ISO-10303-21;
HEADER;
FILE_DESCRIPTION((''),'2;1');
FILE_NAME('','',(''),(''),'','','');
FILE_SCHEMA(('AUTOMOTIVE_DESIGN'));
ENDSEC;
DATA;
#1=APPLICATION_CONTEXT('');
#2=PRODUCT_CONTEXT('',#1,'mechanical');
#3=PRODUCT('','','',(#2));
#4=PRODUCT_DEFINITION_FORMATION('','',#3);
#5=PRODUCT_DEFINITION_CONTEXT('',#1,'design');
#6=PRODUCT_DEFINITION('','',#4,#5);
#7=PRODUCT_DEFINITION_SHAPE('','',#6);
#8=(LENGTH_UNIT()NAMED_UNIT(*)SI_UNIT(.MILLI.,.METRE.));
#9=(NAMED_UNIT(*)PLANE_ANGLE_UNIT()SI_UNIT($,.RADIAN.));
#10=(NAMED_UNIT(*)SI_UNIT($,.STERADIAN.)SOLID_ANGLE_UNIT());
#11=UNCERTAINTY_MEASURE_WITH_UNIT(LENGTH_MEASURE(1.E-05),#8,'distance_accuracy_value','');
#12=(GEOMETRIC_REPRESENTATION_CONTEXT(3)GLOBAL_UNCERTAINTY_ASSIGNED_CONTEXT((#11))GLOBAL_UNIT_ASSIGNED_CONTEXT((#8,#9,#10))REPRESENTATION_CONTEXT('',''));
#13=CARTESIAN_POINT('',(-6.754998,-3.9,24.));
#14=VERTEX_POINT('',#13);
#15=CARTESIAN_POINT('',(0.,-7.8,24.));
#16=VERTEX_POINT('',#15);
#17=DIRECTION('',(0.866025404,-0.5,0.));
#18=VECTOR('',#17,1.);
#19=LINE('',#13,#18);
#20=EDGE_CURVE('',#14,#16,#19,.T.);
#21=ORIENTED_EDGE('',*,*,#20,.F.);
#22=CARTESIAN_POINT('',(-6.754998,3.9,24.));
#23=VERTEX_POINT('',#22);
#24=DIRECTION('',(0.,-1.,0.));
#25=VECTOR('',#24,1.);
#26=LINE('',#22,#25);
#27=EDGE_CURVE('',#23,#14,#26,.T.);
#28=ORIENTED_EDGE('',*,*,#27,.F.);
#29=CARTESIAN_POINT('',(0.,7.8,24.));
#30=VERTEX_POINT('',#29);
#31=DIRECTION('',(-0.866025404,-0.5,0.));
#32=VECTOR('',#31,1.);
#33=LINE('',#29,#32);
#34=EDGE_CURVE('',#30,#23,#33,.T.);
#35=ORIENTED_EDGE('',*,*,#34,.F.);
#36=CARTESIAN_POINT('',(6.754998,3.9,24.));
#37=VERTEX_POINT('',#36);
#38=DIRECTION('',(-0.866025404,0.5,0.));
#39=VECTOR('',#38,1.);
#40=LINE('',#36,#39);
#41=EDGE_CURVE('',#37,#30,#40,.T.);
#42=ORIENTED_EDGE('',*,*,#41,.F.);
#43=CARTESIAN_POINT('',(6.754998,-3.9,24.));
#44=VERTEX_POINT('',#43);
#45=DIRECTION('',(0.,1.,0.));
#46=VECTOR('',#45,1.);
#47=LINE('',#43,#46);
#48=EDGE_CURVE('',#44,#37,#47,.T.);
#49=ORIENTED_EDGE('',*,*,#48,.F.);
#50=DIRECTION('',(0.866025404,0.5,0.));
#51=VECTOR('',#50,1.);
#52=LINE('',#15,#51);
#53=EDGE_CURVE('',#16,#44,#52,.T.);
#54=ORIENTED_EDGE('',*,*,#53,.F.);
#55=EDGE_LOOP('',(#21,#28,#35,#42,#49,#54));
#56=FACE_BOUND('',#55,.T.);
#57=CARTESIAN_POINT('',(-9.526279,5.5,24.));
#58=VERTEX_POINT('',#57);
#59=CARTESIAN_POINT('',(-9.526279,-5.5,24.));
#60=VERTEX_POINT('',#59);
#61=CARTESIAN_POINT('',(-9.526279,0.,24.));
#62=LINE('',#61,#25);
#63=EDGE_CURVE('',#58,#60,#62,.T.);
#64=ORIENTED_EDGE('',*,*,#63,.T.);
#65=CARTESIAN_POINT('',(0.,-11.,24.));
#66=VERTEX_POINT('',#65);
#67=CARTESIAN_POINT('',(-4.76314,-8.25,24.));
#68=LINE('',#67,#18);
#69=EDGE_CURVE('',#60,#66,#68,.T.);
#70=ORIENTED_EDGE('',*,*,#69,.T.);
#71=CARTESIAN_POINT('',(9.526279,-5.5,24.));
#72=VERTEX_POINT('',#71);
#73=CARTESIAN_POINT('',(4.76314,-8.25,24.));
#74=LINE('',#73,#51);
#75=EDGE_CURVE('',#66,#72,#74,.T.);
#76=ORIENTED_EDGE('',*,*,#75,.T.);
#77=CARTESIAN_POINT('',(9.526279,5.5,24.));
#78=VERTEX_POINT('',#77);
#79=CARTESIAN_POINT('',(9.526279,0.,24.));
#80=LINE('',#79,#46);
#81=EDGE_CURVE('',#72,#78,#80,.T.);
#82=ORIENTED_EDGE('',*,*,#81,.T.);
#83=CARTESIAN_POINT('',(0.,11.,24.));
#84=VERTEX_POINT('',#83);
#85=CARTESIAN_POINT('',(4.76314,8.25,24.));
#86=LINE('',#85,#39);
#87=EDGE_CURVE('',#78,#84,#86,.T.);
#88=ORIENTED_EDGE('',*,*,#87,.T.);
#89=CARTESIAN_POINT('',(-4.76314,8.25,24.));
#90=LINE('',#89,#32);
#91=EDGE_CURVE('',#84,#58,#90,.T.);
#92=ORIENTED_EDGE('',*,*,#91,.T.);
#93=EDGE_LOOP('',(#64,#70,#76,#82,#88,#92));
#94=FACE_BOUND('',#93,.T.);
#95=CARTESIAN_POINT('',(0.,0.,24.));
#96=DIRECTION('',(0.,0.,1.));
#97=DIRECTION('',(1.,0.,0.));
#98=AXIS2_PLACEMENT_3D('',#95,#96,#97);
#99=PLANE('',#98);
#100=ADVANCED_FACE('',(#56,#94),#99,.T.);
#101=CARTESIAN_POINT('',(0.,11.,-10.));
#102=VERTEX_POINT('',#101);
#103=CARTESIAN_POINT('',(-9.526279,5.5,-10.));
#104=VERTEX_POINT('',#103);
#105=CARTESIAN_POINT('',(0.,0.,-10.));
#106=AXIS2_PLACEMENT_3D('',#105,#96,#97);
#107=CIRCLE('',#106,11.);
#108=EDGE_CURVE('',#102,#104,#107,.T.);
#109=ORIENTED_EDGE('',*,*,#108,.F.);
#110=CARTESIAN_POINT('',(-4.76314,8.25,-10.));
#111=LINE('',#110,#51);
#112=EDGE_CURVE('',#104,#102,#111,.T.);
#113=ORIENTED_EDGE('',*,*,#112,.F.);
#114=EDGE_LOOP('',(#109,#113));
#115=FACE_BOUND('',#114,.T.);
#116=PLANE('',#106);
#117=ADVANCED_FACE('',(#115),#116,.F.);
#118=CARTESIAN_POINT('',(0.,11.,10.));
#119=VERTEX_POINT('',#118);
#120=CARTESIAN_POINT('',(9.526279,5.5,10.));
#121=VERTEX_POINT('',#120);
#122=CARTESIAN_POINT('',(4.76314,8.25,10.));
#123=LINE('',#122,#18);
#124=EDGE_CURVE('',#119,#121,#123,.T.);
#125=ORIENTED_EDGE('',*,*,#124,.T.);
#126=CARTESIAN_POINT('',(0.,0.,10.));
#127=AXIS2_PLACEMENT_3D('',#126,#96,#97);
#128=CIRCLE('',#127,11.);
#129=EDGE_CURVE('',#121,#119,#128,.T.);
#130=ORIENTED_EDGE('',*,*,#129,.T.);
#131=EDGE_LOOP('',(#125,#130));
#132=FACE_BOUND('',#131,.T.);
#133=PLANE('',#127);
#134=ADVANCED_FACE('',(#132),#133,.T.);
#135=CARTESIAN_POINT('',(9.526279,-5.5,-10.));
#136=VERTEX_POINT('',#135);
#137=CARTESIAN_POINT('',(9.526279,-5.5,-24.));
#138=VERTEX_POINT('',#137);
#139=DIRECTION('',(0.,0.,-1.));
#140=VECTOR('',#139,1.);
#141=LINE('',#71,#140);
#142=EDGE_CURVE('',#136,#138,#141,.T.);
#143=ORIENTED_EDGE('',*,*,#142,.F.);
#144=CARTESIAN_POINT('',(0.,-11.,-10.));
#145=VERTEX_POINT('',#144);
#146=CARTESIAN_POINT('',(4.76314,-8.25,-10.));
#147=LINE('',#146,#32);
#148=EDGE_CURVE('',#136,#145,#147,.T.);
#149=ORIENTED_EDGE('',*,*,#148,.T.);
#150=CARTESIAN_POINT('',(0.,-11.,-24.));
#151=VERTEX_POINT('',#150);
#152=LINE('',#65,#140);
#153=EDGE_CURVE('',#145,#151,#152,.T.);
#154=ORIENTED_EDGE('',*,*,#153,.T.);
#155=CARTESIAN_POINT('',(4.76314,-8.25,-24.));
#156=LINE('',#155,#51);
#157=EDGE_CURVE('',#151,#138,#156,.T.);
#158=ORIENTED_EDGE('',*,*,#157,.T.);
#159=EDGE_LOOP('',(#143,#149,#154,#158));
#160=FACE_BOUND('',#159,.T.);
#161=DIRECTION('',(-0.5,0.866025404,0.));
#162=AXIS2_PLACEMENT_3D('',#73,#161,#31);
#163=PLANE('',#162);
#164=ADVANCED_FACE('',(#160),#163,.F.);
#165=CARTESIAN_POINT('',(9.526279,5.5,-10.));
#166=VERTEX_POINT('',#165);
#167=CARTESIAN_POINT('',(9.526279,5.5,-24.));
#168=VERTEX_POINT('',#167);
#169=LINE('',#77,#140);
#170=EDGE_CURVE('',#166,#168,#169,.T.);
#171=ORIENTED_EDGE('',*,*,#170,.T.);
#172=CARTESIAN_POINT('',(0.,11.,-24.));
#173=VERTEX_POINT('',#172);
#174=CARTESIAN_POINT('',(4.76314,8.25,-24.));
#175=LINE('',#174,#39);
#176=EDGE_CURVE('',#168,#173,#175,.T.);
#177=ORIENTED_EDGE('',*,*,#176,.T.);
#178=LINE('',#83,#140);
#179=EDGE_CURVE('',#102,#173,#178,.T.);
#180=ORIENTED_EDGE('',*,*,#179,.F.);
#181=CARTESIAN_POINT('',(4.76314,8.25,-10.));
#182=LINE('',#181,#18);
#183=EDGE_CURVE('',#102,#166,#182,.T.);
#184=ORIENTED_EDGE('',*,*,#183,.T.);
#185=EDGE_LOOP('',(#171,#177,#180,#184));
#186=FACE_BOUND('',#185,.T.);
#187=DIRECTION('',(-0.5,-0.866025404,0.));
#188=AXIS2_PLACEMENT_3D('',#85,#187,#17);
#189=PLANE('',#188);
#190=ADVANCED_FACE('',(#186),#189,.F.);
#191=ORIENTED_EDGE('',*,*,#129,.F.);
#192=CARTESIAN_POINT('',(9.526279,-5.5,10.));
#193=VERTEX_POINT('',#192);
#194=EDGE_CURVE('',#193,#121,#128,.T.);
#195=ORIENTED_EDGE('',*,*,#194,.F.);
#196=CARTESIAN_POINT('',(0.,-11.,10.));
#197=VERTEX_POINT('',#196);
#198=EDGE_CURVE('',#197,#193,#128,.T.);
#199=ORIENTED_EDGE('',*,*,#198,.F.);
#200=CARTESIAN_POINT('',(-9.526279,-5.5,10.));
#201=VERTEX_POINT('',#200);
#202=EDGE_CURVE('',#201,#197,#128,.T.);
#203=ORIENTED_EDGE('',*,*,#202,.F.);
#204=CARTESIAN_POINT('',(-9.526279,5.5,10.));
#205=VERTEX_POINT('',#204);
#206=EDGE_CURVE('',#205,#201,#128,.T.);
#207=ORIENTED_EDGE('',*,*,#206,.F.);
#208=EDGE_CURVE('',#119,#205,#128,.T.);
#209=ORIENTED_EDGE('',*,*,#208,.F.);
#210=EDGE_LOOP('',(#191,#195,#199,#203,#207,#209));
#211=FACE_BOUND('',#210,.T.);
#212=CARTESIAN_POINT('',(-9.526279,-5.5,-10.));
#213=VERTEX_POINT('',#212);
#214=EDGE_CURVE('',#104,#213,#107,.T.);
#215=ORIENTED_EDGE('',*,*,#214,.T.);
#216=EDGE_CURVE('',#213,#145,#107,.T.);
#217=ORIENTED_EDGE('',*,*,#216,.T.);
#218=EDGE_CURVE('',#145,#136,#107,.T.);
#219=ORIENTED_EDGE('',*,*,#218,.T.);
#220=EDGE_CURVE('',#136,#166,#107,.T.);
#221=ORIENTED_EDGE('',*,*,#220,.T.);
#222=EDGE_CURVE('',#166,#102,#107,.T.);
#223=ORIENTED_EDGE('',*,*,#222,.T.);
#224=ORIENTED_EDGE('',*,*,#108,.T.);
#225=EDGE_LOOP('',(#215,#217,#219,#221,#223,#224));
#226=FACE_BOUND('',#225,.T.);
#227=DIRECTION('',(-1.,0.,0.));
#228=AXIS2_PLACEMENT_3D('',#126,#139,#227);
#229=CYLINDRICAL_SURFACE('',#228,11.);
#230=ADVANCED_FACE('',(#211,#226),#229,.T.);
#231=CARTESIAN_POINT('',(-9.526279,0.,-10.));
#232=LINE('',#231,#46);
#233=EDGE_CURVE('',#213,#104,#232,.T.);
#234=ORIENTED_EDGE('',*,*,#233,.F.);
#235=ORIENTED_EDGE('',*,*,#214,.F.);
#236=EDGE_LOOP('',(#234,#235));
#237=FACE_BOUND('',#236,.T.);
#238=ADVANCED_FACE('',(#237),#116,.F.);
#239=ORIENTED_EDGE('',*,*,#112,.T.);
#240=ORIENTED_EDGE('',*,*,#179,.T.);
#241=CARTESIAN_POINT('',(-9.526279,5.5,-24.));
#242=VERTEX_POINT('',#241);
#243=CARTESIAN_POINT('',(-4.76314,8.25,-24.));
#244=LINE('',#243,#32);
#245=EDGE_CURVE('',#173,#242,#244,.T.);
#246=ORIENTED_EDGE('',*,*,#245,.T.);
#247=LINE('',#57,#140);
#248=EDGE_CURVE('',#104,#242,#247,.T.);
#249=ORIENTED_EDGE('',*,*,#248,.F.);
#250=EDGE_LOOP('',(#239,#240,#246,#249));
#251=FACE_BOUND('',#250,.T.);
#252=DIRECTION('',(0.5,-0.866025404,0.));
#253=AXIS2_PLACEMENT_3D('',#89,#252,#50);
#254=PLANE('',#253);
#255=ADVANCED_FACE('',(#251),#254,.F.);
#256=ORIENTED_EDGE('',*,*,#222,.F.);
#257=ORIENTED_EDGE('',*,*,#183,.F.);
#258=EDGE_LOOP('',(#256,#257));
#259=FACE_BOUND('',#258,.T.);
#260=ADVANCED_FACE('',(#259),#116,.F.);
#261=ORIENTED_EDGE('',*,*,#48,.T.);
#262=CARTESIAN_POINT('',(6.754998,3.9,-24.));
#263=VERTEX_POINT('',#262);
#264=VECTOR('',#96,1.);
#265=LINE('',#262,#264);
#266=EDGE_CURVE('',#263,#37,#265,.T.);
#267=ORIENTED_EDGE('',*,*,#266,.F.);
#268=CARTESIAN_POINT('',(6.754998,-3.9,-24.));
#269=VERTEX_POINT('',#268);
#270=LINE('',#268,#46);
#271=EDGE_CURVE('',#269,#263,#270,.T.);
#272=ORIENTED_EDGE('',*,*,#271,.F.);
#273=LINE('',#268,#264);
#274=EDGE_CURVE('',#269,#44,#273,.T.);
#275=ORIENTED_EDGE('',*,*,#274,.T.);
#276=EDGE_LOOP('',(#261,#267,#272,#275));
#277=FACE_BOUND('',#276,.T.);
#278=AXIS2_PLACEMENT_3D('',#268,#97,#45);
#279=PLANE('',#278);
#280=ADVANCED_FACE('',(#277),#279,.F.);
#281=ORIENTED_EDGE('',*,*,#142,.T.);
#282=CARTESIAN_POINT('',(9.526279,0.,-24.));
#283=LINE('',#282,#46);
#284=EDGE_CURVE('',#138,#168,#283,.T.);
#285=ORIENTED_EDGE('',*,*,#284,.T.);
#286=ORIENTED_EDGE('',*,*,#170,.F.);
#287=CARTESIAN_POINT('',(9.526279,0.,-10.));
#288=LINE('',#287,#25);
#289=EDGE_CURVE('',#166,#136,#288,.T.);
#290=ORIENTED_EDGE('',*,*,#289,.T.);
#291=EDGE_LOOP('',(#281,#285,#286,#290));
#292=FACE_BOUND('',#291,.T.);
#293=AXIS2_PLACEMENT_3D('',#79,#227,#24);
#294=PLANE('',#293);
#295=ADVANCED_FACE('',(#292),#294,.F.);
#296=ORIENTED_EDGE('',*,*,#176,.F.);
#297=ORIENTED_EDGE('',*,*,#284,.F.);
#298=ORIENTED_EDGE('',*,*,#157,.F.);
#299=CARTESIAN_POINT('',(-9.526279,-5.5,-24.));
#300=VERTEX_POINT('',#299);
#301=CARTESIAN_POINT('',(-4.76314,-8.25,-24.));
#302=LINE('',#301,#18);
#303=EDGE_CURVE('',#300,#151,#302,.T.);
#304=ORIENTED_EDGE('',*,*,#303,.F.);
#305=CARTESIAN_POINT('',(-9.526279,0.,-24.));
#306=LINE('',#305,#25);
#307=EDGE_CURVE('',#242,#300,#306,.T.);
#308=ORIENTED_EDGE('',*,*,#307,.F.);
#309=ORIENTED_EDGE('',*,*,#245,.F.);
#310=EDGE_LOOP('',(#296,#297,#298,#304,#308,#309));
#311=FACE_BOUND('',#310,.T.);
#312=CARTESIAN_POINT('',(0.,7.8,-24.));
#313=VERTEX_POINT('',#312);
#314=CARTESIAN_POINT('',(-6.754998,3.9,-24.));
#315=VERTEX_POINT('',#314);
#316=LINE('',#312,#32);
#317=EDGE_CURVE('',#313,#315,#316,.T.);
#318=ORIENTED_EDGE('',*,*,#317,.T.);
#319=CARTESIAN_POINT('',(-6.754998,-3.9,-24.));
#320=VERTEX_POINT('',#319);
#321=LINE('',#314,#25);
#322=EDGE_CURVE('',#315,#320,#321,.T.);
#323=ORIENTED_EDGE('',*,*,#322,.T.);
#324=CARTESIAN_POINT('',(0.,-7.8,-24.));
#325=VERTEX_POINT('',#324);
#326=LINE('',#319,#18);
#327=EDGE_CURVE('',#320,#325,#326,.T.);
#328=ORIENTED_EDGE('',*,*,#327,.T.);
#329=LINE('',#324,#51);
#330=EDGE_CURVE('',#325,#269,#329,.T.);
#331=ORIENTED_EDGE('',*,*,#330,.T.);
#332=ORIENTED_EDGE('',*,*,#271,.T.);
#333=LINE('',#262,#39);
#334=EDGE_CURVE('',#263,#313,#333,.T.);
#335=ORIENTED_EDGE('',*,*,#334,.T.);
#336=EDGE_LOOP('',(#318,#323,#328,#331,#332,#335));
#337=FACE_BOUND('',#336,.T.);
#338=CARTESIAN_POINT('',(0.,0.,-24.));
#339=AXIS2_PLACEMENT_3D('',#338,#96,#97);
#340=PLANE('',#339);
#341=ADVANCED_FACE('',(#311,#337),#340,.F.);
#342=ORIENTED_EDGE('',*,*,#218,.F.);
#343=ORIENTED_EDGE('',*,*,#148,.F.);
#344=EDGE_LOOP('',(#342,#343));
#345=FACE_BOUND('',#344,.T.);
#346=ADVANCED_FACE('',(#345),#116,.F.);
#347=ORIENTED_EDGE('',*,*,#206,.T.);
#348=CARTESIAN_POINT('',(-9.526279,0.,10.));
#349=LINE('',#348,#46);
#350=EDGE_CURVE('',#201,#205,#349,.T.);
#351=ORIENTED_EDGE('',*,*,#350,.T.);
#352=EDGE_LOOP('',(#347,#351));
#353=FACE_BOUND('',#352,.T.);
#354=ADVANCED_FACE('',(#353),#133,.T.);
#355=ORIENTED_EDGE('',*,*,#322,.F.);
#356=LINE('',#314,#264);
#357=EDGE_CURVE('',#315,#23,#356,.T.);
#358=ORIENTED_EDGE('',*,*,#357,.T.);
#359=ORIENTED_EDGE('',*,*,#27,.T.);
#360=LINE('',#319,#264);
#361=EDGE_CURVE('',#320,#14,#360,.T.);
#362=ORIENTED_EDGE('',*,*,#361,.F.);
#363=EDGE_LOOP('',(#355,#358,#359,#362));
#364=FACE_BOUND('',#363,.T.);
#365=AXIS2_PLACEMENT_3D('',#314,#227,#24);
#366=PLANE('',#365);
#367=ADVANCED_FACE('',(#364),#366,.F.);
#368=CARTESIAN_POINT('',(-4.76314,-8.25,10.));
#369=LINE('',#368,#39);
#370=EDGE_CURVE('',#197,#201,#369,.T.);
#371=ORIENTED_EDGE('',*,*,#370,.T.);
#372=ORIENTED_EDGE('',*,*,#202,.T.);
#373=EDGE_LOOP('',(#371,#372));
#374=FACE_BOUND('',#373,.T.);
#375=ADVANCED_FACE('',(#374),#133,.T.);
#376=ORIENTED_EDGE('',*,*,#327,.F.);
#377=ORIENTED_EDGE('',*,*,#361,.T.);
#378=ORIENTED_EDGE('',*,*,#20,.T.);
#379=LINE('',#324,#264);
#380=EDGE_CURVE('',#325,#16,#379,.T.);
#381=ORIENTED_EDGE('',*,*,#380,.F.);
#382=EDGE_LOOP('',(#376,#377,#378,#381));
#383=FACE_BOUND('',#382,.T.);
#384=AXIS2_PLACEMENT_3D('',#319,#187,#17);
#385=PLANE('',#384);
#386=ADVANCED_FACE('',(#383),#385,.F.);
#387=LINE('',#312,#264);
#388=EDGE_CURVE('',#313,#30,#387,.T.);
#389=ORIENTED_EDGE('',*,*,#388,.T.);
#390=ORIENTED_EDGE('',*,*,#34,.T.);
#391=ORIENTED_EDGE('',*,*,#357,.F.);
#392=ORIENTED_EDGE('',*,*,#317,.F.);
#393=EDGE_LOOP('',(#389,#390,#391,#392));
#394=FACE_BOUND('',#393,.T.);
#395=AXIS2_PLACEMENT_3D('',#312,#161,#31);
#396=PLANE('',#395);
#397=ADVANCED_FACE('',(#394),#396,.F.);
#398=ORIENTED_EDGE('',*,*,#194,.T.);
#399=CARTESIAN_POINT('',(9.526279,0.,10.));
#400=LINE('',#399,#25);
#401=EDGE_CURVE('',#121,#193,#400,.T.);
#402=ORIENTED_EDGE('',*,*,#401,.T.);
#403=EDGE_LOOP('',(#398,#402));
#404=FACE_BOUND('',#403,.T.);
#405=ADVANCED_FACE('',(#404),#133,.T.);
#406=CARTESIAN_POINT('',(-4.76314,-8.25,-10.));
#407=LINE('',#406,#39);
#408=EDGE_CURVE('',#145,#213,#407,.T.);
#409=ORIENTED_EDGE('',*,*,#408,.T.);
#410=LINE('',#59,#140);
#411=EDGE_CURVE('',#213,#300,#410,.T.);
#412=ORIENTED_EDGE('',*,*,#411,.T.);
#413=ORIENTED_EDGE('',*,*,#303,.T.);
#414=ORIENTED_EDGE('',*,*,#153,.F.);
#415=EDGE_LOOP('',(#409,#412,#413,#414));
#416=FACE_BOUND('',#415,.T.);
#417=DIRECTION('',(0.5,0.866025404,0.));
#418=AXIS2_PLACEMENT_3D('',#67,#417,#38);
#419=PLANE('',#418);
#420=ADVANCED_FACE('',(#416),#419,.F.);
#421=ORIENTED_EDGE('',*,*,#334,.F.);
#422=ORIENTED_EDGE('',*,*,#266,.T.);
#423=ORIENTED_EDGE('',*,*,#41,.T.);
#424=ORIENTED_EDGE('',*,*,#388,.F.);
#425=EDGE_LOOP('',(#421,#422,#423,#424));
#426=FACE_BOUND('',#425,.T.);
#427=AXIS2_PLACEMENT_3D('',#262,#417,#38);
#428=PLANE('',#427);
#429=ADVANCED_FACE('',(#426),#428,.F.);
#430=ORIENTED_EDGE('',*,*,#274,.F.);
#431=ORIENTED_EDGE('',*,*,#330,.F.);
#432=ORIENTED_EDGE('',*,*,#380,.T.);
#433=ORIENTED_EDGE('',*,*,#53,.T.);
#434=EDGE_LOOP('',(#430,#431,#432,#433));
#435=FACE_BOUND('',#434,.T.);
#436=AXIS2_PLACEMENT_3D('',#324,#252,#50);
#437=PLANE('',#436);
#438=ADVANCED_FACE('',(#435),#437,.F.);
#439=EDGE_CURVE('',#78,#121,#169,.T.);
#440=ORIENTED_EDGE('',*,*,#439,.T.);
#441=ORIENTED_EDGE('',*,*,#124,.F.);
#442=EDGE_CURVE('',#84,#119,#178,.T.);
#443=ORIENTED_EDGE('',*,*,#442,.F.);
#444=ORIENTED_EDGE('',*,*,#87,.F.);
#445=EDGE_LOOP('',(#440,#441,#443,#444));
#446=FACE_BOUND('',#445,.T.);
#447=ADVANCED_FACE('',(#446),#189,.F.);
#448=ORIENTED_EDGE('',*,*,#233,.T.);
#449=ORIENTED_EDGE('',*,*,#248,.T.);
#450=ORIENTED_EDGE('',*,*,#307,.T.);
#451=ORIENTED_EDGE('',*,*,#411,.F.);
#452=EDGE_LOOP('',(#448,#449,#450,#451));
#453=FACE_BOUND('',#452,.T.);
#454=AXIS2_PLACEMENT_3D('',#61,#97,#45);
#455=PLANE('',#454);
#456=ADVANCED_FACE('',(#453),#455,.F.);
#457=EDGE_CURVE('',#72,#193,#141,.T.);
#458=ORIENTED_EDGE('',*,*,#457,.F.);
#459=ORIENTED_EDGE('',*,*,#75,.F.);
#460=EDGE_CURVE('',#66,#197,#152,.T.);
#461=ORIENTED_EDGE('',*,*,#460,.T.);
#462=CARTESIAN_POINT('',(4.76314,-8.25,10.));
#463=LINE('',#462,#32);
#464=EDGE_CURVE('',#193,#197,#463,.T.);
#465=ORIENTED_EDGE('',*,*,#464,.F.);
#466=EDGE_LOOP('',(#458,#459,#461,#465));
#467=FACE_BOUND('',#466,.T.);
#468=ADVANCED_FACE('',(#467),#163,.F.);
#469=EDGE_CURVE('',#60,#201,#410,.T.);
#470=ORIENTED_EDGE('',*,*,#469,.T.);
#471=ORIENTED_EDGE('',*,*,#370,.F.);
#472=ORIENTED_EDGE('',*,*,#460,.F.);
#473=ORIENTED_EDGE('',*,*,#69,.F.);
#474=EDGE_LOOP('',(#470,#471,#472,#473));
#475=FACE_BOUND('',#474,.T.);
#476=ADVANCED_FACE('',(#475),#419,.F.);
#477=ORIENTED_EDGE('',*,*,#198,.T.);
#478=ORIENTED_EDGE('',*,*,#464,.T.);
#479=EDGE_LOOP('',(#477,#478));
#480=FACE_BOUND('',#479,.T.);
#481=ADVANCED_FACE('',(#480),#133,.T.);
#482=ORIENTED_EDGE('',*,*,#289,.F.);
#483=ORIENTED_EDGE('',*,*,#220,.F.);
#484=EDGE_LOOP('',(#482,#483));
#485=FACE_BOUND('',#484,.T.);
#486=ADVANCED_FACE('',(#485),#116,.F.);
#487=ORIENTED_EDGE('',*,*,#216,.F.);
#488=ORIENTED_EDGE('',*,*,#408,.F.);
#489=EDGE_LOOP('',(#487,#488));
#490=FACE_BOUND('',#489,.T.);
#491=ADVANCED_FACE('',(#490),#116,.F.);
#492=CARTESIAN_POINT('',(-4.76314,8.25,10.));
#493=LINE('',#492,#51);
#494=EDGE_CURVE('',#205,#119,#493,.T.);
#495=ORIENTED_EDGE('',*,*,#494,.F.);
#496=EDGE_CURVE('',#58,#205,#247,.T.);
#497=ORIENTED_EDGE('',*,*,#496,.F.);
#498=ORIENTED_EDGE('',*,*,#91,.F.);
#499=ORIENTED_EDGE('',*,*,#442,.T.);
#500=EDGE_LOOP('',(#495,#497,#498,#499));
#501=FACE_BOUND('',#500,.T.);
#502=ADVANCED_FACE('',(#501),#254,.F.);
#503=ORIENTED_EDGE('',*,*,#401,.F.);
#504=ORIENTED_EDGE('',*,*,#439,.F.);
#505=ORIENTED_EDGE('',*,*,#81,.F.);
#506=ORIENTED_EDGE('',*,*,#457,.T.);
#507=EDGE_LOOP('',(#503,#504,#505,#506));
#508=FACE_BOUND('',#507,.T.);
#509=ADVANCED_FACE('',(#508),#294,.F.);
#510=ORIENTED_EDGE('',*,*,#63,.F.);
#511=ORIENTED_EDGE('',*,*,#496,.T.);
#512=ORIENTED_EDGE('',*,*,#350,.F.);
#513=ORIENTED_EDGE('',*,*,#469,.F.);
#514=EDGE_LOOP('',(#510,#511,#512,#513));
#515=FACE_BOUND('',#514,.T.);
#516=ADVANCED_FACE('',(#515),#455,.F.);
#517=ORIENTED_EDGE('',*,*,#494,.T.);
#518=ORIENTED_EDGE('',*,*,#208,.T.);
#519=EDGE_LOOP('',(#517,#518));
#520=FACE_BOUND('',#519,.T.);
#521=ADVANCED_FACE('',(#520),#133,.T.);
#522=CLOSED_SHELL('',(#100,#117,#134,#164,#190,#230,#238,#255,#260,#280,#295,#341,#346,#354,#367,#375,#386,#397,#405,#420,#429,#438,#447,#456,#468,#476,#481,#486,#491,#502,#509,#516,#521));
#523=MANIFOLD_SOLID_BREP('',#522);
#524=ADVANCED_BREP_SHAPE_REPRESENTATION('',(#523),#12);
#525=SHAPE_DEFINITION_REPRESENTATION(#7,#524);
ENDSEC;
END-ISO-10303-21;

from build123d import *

# Parameters (mm, degrees)
SKETCH1_R           = 11
SKETCH1_R_2         = 6.4
BOSS_EXTRUDE1_DEPTH = 10
BOSS_EXTRUDE2_DEPTH = 24
CUT_EXTRUDE3_DEPTH  = 51.457903246


with BuildPart() as part:
    # Sketch1 → Boss-Extrude1 (new, symmetric)
    with BuildSketch(Plane.XY):
        Circle(SKETCH1_R)
        Circle(SKETCH1_R_2, mode=Mode.SUBTRACT)
    extrude(amount=BOSS_EXTRUDE1_DEPTH, both=True)

    # Sketch1<3> → Boss-Extrude2 (add, symmetric)
    with BuildSketch(Plane.XY):
        Polygon((-9.526279442, -5.5), (0, -11), (9.526279442, -5.5), (9.526279442, 5.5), (0, 11), (-9.526279442, 5.5), align=None)
    extrude(amount=BOSS_EXTRUDE2_DEPTH, both=True)

    # Sketch2 → Cut-Extrude3 (cut, through all)
    with BuildSketch(Plane.XY.offset(24)):
        Polygon((0, -7.8), (6.75499815, -3.9), (6.75499815, 3.9), (0, 7.8), (-6.75499815, 3.9), (-6.75499815, -3.9), align=None)
    extrude(amount=-CUT_EXTRUDE3_DEPTH, mode=Mode.SUBTRACT)


solid = part.part
